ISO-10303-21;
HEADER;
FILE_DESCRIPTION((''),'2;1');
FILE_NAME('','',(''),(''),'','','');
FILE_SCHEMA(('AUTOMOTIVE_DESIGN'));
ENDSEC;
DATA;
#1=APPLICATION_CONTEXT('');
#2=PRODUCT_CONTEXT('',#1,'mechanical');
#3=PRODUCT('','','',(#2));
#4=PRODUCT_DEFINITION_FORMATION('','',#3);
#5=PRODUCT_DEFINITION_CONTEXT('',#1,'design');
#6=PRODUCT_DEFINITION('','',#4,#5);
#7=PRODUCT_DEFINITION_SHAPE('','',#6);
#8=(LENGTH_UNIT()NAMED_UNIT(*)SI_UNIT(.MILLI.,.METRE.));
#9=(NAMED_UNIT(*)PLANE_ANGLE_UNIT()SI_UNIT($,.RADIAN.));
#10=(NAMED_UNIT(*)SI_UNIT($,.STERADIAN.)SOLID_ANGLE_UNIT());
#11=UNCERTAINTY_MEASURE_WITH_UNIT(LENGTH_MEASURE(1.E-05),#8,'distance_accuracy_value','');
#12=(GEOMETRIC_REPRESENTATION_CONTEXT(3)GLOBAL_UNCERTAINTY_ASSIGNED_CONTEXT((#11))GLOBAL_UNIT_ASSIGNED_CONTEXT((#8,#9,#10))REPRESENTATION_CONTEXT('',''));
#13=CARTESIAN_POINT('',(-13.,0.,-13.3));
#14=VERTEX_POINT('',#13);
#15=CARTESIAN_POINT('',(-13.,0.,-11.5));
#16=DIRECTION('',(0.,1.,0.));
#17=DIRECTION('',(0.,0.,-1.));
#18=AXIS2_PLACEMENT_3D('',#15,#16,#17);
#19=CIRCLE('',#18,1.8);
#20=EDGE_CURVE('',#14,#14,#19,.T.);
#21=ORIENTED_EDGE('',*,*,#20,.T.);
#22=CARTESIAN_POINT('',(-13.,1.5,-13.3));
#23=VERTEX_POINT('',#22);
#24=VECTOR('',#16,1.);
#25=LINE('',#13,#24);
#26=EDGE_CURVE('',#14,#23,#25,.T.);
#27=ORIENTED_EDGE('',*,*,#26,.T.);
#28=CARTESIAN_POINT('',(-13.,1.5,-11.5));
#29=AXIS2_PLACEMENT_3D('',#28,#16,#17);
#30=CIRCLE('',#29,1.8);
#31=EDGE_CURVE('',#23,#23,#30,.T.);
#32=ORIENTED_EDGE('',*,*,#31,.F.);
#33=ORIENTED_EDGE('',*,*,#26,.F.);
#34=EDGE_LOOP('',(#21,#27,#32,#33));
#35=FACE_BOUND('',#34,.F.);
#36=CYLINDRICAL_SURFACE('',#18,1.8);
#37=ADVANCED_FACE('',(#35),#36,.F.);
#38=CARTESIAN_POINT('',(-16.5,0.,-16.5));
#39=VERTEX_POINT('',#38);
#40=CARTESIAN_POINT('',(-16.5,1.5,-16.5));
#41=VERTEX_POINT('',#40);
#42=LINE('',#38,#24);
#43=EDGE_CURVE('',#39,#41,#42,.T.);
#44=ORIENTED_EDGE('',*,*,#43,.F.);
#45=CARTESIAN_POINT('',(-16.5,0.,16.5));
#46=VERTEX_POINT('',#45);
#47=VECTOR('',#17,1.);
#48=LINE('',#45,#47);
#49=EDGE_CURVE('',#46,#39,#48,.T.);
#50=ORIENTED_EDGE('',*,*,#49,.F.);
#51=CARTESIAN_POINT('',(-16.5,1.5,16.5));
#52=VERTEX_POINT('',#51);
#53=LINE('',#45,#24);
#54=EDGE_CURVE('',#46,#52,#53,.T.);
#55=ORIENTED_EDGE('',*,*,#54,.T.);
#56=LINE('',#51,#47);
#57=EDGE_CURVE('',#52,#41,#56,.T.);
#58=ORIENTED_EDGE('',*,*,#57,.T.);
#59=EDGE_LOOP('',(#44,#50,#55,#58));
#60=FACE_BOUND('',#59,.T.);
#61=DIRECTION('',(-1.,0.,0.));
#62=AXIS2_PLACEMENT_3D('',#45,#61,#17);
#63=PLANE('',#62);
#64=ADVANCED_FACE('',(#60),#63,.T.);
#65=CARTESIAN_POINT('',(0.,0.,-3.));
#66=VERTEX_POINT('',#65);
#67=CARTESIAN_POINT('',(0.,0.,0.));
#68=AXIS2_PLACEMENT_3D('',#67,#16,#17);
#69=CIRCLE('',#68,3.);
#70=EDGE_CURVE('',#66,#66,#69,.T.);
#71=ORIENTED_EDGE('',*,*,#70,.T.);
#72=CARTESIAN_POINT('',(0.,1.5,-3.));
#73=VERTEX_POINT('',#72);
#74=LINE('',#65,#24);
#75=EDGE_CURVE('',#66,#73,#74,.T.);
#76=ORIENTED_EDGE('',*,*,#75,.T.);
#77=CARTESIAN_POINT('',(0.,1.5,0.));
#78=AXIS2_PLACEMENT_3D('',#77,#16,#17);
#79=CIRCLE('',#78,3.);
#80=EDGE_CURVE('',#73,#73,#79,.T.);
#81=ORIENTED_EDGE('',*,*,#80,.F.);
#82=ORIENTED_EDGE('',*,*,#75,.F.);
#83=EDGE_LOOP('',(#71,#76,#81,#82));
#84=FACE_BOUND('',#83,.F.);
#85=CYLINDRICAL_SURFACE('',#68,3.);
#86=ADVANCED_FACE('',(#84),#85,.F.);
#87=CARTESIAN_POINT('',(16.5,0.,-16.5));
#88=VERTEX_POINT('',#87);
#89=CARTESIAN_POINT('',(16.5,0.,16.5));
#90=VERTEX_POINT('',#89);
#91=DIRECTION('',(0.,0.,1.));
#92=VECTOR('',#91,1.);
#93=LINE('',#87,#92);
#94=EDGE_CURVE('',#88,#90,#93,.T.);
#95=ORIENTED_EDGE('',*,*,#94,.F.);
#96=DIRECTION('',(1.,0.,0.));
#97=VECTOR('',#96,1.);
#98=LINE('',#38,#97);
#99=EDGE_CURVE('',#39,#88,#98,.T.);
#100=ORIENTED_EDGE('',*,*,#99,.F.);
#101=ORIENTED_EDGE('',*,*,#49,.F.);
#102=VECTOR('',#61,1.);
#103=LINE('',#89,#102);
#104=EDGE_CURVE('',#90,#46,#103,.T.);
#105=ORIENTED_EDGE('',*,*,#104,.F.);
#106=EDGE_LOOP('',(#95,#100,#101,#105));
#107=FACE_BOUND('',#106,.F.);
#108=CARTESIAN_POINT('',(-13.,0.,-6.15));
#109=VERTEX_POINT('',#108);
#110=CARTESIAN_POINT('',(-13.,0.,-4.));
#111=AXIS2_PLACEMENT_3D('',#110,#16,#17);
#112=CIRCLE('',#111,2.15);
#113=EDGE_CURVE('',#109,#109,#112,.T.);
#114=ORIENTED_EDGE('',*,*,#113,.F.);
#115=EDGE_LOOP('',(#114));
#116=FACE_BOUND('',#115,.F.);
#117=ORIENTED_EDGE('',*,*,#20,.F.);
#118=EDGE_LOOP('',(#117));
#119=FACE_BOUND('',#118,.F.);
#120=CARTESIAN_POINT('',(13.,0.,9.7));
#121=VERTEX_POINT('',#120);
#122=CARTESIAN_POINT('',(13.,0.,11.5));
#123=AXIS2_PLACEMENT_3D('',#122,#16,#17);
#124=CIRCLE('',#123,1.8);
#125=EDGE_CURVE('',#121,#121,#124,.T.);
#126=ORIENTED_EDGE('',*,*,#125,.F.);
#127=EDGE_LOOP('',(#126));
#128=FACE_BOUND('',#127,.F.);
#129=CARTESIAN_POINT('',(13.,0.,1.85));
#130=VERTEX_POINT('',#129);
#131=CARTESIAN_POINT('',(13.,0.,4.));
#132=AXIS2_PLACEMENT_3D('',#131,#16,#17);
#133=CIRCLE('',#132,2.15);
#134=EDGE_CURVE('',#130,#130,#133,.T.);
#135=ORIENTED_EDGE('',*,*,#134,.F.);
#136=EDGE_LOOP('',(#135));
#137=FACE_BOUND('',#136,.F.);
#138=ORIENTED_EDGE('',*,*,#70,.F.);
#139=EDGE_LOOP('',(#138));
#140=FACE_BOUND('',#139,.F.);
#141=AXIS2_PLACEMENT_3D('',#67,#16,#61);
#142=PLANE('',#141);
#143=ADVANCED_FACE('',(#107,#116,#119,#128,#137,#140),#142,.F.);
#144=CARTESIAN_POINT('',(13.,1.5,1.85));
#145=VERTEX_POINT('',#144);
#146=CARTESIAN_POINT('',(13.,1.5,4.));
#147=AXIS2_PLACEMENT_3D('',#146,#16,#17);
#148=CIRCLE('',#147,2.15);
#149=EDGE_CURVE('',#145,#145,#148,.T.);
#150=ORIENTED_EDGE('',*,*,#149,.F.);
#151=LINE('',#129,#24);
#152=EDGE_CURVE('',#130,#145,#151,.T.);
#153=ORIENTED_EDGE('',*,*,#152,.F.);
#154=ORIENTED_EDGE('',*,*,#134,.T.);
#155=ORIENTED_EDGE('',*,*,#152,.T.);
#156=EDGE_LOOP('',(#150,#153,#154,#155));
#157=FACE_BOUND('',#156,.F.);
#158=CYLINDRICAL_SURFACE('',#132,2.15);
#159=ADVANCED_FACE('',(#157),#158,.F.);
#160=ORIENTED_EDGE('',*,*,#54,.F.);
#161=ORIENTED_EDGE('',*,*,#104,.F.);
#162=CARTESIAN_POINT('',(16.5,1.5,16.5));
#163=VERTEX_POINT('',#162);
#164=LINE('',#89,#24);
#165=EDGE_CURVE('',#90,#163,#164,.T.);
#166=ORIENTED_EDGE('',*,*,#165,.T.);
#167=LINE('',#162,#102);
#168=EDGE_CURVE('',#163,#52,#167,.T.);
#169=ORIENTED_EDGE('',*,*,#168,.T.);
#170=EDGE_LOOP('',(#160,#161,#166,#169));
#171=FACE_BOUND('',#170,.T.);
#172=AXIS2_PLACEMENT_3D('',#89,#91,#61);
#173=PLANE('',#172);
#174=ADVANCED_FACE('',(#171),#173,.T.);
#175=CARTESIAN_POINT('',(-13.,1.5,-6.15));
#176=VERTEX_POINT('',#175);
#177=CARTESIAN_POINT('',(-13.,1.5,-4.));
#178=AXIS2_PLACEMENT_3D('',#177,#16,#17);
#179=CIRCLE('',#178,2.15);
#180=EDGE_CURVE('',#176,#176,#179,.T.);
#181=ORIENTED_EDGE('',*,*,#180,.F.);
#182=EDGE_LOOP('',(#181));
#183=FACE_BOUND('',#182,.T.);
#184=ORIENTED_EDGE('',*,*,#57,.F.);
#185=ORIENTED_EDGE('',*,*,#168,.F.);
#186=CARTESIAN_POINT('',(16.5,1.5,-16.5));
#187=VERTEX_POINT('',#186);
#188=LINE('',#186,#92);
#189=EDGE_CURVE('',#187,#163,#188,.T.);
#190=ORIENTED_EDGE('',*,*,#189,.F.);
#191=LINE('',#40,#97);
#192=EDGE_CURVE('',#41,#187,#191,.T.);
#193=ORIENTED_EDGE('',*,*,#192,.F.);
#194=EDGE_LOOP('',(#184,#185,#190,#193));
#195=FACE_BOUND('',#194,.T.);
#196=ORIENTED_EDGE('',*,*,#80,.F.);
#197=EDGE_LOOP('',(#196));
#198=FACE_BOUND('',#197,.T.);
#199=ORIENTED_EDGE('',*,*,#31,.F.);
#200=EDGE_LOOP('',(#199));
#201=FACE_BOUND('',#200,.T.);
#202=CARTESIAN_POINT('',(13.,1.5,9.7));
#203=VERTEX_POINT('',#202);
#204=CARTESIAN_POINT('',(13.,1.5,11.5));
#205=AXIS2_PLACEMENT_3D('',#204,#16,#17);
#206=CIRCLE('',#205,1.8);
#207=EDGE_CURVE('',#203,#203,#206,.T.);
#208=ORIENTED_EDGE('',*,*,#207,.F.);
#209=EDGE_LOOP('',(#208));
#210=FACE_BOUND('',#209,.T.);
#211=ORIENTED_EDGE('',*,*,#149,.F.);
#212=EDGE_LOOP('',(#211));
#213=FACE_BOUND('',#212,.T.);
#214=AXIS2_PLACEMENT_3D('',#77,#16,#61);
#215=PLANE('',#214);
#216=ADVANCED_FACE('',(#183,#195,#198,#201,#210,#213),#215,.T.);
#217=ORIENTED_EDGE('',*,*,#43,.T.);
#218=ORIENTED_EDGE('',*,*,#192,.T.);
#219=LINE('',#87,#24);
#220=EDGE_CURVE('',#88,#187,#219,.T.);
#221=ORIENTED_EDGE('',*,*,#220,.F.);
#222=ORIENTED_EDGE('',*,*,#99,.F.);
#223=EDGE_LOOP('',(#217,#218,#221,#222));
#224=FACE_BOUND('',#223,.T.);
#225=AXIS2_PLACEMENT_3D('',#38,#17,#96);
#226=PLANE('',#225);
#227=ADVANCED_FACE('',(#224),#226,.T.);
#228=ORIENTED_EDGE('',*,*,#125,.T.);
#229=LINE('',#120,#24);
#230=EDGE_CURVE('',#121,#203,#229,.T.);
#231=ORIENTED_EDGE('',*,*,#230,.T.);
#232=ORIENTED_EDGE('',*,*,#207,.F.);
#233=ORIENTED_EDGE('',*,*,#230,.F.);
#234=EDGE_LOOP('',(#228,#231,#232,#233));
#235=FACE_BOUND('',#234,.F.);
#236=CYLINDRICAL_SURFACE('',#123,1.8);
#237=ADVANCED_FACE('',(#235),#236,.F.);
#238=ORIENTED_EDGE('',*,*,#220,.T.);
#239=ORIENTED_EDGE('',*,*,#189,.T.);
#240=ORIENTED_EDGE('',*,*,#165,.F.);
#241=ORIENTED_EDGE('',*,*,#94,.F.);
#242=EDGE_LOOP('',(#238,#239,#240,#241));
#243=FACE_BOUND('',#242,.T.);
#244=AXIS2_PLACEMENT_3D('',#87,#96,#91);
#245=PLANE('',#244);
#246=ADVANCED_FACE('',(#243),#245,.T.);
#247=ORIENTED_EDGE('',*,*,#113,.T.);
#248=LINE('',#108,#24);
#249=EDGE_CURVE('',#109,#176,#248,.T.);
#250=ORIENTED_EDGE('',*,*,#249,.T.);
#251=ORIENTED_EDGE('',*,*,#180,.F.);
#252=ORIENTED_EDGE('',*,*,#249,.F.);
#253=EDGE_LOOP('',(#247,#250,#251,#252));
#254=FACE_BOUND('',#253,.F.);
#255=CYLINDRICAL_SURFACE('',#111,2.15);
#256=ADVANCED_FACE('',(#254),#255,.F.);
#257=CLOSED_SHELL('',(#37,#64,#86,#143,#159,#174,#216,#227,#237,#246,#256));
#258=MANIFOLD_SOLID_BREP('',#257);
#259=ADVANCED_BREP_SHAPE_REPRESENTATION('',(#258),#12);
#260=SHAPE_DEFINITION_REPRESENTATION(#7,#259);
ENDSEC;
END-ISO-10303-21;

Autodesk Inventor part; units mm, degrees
ref_plane "YZ Plane" through (0, 0, 0) normal (1, 0, 0) x (0, 1, 0)
ref_plane "XZ Plane" through (0, 0, 0) normal (0, 1, 0) x (-1, 0, 0)
ref_plane "XY Plane" through (0, 0, 0) normal (0, 0, 1) x (1, 0, 0)
sketch "Sketch1" plane through (0, 0, 0) normal (0, 1, 0) x (-1, 0, 0)
  line L0 (16.5, -16.5) -> (-16.5, -16.5)
  line L1 (-16.5, -16.5) -> (-16.5, 16.5)
  line L2 (-16.5, 16.5) -> (16.5, 16.5)
  line L3 (16.5, 16.5) -> (16.5, -16.5)
  point P0 (0, 0)
  point P1 (16.5, 0)
  point P2 (0, -16.5)
  dimension "d0" = 33
  dimension "d1" = 33
extrude "Plate1" add sketch "Sketch1" along normal blind 1.5
sketch "Sketch2" plane through (0, 0, 0) normal (0, 1, 0) x (-1, 0, 0)
  point P0 (0, 0)
  point P1 (0, 0)
hole "Hole1" at (0, 0, 0) direction (0, 1, 0) diameter 6 end through all
sketch "Sketch3" plane through (0, 0, 0) normal (0, 1, 0) x (-1, 0, 0)
  line L0 (0, 0) -> (0, -16.3603)
  point P0 (13, -4)
  point P1 (-13, 4)
  dimension "d10" = 4
  dimension "d11" = 13
  dimension "d12" = 4
  dimension "d13" = 13
hole "Hole2" at (-13, 0, -4) at (13, 0, 4) direction (0, 1, 0) diameter 4.3 end through all
sketch "Sketch4" plane through (0, 0, 0) normal (0, 1, 0) x (-1, 0, 0)
  point P0 (0, 0)
  point P1 (13, -11.5)
  point P2 (-13, 11.5)
  dimension "d21" = 13
  dimension "d22" = 11.5
  dimension "d23" = 11.5
  dimension "d24" = 13
hole "Hole3" at (-13, 0, -11.5) at (13, 0, 11.5) direction (0, 1, 0) diameter 3.6 end through all
equation "\"d8\" = Thickness"
equation "\"d19\" = Thickness"
equation "\"d30\" = Thickness"
equation "\"d32\" = Thickness"
equation "\"BendRadius\" = Thickness"
equation "\"BendReliefWidth\" = Thickness"
equation "\"BendReliefDepth\" = 0.5 * Thickness"
equation "\"CornerReliefSize\" = 4 * Thickness"
equation "\"MinimumRemnant\" = 2 * Thickness"
equation "\"TransitionRadius\" = BendRadius"
equation "\"JacobiRadiusSize\" = BendRadius"
equation "\"GapSize\" = Thickness"
equation "\"d2\" = BendRadius"
equation "\"Thickness\" = 1.5"
properties part number "Luxcan P1"
